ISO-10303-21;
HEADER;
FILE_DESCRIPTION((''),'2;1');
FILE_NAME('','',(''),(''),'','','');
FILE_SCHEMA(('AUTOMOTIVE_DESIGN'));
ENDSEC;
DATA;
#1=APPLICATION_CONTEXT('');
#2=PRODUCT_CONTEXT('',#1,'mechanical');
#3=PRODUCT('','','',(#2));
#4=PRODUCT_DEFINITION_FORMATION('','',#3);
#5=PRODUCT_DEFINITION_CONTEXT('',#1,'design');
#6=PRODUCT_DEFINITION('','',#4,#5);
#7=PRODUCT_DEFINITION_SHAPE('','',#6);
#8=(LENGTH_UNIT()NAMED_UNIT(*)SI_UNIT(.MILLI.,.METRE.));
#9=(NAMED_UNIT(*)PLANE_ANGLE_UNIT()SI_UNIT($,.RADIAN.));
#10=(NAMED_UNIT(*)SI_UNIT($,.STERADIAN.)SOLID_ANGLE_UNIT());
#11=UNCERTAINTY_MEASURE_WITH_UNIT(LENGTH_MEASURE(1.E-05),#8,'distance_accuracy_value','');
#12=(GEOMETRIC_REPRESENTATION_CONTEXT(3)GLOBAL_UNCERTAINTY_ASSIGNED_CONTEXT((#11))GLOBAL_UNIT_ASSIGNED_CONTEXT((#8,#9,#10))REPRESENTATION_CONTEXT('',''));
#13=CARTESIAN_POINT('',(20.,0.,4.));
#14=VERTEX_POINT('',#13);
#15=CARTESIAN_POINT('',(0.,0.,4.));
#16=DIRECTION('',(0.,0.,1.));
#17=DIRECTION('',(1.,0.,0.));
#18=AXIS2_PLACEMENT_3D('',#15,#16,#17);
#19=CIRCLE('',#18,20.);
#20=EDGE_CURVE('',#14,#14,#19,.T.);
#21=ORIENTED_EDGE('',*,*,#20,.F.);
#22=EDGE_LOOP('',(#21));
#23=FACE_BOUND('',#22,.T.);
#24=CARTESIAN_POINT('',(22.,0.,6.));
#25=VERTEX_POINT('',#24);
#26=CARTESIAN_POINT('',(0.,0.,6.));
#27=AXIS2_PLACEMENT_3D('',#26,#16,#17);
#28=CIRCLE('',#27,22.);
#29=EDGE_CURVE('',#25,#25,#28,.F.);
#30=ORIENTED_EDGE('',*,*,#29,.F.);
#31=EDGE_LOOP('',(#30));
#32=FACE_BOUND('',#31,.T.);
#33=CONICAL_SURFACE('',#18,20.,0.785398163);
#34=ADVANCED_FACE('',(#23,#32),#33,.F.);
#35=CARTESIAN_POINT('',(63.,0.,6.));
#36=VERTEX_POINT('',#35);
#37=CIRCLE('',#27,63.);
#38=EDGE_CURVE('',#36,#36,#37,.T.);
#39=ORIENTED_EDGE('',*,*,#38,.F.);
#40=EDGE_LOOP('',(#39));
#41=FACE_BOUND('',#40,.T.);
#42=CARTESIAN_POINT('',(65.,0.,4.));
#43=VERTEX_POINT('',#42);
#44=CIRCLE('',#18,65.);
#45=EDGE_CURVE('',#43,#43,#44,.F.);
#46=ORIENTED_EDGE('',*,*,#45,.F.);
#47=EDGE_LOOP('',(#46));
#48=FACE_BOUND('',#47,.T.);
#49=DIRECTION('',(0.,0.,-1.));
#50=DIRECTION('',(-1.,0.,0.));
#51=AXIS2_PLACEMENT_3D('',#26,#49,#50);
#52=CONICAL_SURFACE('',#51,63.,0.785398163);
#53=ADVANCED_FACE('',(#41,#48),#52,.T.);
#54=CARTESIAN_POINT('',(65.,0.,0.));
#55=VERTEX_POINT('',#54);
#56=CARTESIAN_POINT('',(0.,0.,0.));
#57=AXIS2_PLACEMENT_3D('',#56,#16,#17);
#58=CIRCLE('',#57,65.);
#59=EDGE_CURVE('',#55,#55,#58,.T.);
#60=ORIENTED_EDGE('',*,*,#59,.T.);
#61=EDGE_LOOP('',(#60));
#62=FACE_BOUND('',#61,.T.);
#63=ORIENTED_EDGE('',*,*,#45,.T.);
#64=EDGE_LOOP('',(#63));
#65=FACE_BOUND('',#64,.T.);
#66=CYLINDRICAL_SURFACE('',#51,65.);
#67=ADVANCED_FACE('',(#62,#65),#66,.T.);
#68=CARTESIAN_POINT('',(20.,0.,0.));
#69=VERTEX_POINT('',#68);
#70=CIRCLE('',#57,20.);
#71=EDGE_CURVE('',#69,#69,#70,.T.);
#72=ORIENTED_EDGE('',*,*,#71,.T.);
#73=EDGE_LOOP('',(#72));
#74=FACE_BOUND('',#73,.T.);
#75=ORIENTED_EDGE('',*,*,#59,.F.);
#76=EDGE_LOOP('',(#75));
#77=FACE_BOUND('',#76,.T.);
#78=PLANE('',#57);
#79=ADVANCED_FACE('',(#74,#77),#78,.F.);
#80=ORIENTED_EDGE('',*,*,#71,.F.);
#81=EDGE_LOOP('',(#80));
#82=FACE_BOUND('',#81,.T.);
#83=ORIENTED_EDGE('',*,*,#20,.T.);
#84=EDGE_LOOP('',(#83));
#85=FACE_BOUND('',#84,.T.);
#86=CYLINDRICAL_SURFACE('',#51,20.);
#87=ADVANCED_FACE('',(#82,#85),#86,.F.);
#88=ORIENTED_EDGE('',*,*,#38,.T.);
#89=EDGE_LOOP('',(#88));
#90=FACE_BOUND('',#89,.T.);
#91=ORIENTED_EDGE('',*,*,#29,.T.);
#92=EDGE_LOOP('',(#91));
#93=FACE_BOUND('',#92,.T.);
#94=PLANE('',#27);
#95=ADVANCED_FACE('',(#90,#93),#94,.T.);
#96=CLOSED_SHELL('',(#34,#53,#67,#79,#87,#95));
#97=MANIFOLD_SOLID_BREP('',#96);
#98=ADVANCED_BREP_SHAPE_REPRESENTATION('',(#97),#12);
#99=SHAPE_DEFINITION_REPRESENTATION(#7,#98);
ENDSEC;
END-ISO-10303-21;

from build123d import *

# Parameters (mm, degrees)
IZIM1_R                     = 65
IZIM1_R_2                   = 20
Y_KSEKLIK_EKSTR_ZYON1_DEPTH = 6
PAH1_SIZE                   = 2


with BuildPart() as part:
    # Çizim1 → Yükseklik-Ekstrüzyon1 (new body)
    with BuildSketch(Plane.XY):
        Circle(IZIM1_R)
        Circle(IZIM1_R_2, mode=Mode.SUBTRACT)
    extrude(amount=Y_KSEKLIK_EKSTR_ZYON1_DEPTH)

    # Pah1
    pah1_edges = [part.edges().sort_by_distance(p)[0] for p in [
        (-65, 0, 6),
        (-20, 0, 6),
    ]]
    chamfer(pah1_edges, length=PAH1_SIZE)


solid = part.part
